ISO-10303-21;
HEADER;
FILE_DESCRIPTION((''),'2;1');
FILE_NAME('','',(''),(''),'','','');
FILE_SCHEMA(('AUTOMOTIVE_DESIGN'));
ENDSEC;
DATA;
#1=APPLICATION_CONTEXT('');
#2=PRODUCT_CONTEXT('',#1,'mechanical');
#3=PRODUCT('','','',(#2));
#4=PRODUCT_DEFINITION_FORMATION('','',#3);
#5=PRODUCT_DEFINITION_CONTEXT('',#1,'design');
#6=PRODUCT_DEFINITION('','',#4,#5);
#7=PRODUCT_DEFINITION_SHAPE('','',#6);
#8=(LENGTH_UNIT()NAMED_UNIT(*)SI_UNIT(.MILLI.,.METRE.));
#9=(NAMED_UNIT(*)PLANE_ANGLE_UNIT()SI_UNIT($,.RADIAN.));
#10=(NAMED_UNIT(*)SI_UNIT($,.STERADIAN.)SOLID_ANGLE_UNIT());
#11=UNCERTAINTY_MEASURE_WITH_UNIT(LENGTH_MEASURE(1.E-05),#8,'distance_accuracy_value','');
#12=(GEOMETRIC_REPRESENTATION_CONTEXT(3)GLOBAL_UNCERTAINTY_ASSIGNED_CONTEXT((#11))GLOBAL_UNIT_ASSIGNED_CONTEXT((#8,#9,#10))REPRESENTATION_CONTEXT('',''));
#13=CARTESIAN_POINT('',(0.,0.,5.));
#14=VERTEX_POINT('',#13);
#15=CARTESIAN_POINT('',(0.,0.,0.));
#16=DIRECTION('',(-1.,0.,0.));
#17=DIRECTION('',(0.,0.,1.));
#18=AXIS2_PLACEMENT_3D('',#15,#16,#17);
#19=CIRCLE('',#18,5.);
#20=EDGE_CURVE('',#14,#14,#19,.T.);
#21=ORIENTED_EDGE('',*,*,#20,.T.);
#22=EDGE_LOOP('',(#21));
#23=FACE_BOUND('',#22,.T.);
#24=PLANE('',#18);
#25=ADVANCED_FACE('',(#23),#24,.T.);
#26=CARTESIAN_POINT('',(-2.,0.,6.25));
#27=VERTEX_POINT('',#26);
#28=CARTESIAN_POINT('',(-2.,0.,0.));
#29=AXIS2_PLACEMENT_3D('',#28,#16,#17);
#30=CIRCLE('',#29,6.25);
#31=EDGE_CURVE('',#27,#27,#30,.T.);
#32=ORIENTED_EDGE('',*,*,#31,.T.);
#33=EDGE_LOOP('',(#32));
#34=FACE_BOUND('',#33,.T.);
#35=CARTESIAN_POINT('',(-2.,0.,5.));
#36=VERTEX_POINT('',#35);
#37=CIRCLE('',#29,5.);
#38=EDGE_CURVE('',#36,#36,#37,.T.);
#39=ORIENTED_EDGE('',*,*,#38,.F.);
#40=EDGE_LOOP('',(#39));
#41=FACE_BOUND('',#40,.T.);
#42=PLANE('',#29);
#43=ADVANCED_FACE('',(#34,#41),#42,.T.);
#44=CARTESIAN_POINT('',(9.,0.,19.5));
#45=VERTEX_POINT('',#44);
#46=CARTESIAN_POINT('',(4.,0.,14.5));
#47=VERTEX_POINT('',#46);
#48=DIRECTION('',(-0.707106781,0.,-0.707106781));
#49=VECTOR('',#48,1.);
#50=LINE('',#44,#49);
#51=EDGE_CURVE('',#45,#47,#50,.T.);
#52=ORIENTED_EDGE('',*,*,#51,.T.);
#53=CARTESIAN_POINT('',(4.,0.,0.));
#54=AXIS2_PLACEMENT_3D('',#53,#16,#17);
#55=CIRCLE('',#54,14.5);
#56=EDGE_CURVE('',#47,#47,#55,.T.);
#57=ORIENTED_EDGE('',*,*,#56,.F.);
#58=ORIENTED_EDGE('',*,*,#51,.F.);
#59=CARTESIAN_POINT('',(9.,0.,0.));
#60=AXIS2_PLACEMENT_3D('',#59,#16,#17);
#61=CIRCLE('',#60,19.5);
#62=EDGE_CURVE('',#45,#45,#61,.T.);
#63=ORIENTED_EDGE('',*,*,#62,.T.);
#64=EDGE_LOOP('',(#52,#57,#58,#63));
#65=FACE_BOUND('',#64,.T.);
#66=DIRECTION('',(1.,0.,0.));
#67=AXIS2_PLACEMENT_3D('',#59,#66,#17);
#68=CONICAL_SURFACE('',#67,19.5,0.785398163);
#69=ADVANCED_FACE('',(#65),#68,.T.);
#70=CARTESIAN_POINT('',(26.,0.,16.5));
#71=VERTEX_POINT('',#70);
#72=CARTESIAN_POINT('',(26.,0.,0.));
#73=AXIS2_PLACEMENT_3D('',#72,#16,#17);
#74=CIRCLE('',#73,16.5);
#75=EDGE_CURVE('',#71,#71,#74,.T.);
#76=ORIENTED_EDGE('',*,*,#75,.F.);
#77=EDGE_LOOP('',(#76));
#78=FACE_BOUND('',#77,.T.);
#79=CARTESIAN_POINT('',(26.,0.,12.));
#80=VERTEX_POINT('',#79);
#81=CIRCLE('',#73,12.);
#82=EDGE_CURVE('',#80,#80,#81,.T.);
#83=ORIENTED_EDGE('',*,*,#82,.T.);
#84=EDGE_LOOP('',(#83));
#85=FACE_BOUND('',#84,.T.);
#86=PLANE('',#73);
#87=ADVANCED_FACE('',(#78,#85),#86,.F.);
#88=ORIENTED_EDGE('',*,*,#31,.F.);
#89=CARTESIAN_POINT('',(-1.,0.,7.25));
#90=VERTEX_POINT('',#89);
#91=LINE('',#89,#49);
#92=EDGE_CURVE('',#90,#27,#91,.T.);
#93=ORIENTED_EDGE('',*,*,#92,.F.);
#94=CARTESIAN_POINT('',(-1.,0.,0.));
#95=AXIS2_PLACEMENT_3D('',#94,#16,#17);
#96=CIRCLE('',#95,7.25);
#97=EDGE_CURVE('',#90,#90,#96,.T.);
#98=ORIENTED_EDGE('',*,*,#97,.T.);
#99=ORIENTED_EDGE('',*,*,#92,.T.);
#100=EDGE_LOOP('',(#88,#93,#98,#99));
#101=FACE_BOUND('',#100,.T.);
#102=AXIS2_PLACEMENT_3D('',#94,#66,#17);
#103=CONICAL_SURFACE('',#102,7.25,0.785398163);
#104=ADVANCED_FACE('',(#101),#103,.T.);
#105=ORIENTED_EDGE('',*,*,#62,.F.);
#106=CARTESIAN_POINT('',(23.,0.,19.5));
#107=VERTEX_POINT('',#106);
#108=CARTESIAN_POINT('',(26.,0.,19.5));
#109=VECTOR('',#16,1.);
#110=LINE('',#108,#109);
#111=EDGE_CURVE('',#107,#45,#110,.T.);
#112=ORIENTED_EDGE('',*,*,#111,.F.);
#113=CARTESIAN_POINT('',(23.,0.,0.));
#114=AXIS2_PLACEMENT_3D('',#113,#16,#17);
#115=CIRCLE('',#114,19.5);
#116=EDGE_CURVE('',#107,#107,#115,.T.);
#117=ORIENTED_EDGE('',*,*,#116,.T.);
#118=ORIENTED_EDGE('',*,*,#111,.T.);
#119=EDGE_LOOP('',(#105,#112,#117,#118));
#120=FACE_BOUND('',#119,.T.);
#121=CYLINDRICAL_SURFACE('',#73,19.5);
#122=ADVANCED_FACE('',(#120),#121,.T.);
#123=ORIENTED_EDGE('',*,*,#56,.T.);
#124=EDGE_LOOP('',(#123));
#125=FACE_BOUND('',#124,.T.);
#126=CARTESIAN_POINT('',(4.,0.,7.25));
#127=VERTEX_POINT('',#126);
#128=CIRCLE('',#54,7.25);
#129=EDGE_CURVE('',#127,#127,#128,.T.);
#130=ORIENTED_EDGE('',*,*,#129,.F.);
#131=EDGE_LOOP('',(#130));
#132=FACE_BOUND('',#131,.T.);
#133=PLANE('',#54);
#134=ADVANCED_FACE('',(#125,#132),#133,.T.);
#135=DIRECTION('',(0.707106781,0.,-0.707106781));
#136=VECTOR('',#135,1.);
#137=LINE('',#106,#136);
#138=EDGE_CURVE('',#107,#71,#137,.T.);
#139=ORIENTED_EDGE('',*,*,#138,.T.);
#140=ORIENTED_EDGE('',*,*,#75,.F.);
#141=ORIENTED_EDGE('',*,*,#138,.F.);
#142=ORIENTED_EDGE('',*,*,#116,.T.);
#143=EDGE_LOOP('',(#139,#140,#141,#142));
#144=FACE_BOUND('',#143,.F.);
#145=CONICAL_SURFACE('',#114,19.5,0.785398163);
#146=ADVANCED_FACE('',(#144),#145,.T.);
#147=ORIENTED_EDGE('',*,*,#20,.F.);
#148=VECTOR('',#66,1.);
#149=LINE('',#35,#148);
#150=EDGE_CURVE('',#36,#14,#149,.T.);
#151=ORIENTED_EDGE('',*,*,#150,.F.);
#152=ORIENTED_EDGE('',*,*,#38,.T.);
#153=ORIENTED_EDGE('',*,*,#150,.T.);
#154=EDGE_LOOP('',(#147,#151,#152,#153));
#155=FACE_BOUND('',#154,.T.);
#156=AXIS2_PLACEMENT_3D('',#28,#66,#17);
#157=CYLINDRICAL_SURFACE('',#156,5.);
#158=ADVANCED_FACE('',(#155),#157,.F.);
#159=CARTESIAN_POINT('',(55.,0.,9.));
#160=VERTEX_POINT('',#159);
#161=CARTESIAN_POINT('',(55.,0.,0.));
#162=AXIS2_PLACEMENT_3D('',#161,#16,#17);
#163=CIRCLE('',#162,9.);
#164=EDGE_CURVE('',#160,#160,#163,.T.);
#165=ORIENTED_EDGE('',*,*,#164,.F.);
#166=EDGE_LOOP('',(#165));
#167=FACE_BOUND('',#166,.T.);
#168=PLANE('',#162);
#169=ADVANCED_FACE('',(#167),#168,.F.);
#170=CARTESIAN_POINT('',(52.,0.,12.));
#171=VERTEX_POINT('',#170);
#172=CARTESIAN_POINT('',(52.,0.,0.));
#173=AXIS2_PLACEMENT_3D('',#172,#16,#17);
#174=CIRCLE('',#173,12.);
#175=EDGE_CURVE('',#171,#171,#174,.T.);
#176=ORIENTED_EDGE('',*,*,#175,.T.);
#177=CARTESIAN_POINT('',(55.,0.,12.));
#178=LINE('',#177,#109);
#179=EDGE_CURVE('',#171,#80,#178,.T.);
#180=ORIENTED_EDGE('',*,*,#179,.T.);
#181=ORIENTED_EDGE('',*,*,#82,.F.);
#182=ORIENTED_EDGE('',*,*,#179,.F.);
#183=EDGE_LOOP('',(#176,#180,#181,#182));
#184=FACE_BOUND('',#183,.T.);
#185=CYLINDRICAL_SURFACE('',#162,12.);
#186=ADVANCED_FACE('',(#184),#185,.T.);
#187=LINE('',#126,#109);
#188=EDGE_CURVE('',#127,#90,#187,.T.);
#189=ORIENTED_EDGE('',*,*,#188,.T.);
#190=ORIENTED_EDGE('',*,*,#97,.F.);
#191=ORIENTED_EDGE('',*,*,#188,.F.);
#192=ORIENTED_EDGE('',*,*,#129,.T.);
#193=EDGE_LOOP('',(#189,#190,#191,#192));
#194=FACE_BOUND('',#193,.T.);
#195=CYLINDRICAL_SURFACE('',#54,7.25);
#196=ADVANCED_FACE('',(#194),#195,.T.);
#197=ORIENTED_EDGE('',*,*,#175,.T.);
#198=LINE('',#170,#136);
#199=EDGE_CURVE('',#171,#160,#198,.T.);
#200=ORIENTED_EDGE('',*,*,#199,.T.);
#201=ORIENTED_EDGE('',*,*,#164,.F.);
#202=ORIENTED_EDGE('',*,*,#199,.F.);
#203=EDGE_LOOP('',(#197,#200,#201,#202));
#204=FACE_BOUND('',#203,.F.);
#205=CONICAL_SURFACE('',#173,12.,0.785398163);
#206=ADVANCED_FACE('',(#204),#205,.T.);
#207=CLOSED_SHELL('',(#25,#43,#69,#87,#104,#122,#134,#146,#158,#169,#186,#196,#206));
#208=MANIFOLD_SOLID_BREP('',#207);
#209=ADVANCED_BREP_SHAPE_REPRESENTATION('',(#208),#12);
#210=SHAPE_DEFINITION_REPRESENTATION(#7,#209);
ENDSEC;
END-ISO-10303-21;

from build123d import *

# Parameters (mm, degrees)
F2_SIZE = 5
F3_SIZE = 3
F4_SIZE = 1


with BuildPart() as f1:
    # F0 (on Front) → F1 (revolve)
    with BuildSketch(Plane.XZ):
        Polygon((0, 5), (0, 0), (55, 0), (55, 12), (26, 12), (26, 19.5), (4, 19.5), (4, 7.25), (-2, 7.25), (-2, 5), align=None)
    revolve(axis=Axis((27.5, 0, 0), (-1, 0, 0)))

    # F2
    f2_edges = [f1.edges().sort_by_distance(p)[0] for p in [
        (4, 0, -19.5),
    ]]
    chamfer(f2_edges, length=F2_SIZE)

    # F3
    f3_edges = [f1.edges().sort_by_distance(p)[0] for p in [
        (26, 0, -19.5),
        (55, 0, -12),
    ]]
    chamfer(f3_edges, length=F3_SIZE)

    # F4
    f4_edges = [f1.edges().sort_by_distance(p)[0] for p in [
        (-2, 0, -7.25),
    ]]
    chamfer(f4_edges, length=F4_SIZE)


solid = f1.part
